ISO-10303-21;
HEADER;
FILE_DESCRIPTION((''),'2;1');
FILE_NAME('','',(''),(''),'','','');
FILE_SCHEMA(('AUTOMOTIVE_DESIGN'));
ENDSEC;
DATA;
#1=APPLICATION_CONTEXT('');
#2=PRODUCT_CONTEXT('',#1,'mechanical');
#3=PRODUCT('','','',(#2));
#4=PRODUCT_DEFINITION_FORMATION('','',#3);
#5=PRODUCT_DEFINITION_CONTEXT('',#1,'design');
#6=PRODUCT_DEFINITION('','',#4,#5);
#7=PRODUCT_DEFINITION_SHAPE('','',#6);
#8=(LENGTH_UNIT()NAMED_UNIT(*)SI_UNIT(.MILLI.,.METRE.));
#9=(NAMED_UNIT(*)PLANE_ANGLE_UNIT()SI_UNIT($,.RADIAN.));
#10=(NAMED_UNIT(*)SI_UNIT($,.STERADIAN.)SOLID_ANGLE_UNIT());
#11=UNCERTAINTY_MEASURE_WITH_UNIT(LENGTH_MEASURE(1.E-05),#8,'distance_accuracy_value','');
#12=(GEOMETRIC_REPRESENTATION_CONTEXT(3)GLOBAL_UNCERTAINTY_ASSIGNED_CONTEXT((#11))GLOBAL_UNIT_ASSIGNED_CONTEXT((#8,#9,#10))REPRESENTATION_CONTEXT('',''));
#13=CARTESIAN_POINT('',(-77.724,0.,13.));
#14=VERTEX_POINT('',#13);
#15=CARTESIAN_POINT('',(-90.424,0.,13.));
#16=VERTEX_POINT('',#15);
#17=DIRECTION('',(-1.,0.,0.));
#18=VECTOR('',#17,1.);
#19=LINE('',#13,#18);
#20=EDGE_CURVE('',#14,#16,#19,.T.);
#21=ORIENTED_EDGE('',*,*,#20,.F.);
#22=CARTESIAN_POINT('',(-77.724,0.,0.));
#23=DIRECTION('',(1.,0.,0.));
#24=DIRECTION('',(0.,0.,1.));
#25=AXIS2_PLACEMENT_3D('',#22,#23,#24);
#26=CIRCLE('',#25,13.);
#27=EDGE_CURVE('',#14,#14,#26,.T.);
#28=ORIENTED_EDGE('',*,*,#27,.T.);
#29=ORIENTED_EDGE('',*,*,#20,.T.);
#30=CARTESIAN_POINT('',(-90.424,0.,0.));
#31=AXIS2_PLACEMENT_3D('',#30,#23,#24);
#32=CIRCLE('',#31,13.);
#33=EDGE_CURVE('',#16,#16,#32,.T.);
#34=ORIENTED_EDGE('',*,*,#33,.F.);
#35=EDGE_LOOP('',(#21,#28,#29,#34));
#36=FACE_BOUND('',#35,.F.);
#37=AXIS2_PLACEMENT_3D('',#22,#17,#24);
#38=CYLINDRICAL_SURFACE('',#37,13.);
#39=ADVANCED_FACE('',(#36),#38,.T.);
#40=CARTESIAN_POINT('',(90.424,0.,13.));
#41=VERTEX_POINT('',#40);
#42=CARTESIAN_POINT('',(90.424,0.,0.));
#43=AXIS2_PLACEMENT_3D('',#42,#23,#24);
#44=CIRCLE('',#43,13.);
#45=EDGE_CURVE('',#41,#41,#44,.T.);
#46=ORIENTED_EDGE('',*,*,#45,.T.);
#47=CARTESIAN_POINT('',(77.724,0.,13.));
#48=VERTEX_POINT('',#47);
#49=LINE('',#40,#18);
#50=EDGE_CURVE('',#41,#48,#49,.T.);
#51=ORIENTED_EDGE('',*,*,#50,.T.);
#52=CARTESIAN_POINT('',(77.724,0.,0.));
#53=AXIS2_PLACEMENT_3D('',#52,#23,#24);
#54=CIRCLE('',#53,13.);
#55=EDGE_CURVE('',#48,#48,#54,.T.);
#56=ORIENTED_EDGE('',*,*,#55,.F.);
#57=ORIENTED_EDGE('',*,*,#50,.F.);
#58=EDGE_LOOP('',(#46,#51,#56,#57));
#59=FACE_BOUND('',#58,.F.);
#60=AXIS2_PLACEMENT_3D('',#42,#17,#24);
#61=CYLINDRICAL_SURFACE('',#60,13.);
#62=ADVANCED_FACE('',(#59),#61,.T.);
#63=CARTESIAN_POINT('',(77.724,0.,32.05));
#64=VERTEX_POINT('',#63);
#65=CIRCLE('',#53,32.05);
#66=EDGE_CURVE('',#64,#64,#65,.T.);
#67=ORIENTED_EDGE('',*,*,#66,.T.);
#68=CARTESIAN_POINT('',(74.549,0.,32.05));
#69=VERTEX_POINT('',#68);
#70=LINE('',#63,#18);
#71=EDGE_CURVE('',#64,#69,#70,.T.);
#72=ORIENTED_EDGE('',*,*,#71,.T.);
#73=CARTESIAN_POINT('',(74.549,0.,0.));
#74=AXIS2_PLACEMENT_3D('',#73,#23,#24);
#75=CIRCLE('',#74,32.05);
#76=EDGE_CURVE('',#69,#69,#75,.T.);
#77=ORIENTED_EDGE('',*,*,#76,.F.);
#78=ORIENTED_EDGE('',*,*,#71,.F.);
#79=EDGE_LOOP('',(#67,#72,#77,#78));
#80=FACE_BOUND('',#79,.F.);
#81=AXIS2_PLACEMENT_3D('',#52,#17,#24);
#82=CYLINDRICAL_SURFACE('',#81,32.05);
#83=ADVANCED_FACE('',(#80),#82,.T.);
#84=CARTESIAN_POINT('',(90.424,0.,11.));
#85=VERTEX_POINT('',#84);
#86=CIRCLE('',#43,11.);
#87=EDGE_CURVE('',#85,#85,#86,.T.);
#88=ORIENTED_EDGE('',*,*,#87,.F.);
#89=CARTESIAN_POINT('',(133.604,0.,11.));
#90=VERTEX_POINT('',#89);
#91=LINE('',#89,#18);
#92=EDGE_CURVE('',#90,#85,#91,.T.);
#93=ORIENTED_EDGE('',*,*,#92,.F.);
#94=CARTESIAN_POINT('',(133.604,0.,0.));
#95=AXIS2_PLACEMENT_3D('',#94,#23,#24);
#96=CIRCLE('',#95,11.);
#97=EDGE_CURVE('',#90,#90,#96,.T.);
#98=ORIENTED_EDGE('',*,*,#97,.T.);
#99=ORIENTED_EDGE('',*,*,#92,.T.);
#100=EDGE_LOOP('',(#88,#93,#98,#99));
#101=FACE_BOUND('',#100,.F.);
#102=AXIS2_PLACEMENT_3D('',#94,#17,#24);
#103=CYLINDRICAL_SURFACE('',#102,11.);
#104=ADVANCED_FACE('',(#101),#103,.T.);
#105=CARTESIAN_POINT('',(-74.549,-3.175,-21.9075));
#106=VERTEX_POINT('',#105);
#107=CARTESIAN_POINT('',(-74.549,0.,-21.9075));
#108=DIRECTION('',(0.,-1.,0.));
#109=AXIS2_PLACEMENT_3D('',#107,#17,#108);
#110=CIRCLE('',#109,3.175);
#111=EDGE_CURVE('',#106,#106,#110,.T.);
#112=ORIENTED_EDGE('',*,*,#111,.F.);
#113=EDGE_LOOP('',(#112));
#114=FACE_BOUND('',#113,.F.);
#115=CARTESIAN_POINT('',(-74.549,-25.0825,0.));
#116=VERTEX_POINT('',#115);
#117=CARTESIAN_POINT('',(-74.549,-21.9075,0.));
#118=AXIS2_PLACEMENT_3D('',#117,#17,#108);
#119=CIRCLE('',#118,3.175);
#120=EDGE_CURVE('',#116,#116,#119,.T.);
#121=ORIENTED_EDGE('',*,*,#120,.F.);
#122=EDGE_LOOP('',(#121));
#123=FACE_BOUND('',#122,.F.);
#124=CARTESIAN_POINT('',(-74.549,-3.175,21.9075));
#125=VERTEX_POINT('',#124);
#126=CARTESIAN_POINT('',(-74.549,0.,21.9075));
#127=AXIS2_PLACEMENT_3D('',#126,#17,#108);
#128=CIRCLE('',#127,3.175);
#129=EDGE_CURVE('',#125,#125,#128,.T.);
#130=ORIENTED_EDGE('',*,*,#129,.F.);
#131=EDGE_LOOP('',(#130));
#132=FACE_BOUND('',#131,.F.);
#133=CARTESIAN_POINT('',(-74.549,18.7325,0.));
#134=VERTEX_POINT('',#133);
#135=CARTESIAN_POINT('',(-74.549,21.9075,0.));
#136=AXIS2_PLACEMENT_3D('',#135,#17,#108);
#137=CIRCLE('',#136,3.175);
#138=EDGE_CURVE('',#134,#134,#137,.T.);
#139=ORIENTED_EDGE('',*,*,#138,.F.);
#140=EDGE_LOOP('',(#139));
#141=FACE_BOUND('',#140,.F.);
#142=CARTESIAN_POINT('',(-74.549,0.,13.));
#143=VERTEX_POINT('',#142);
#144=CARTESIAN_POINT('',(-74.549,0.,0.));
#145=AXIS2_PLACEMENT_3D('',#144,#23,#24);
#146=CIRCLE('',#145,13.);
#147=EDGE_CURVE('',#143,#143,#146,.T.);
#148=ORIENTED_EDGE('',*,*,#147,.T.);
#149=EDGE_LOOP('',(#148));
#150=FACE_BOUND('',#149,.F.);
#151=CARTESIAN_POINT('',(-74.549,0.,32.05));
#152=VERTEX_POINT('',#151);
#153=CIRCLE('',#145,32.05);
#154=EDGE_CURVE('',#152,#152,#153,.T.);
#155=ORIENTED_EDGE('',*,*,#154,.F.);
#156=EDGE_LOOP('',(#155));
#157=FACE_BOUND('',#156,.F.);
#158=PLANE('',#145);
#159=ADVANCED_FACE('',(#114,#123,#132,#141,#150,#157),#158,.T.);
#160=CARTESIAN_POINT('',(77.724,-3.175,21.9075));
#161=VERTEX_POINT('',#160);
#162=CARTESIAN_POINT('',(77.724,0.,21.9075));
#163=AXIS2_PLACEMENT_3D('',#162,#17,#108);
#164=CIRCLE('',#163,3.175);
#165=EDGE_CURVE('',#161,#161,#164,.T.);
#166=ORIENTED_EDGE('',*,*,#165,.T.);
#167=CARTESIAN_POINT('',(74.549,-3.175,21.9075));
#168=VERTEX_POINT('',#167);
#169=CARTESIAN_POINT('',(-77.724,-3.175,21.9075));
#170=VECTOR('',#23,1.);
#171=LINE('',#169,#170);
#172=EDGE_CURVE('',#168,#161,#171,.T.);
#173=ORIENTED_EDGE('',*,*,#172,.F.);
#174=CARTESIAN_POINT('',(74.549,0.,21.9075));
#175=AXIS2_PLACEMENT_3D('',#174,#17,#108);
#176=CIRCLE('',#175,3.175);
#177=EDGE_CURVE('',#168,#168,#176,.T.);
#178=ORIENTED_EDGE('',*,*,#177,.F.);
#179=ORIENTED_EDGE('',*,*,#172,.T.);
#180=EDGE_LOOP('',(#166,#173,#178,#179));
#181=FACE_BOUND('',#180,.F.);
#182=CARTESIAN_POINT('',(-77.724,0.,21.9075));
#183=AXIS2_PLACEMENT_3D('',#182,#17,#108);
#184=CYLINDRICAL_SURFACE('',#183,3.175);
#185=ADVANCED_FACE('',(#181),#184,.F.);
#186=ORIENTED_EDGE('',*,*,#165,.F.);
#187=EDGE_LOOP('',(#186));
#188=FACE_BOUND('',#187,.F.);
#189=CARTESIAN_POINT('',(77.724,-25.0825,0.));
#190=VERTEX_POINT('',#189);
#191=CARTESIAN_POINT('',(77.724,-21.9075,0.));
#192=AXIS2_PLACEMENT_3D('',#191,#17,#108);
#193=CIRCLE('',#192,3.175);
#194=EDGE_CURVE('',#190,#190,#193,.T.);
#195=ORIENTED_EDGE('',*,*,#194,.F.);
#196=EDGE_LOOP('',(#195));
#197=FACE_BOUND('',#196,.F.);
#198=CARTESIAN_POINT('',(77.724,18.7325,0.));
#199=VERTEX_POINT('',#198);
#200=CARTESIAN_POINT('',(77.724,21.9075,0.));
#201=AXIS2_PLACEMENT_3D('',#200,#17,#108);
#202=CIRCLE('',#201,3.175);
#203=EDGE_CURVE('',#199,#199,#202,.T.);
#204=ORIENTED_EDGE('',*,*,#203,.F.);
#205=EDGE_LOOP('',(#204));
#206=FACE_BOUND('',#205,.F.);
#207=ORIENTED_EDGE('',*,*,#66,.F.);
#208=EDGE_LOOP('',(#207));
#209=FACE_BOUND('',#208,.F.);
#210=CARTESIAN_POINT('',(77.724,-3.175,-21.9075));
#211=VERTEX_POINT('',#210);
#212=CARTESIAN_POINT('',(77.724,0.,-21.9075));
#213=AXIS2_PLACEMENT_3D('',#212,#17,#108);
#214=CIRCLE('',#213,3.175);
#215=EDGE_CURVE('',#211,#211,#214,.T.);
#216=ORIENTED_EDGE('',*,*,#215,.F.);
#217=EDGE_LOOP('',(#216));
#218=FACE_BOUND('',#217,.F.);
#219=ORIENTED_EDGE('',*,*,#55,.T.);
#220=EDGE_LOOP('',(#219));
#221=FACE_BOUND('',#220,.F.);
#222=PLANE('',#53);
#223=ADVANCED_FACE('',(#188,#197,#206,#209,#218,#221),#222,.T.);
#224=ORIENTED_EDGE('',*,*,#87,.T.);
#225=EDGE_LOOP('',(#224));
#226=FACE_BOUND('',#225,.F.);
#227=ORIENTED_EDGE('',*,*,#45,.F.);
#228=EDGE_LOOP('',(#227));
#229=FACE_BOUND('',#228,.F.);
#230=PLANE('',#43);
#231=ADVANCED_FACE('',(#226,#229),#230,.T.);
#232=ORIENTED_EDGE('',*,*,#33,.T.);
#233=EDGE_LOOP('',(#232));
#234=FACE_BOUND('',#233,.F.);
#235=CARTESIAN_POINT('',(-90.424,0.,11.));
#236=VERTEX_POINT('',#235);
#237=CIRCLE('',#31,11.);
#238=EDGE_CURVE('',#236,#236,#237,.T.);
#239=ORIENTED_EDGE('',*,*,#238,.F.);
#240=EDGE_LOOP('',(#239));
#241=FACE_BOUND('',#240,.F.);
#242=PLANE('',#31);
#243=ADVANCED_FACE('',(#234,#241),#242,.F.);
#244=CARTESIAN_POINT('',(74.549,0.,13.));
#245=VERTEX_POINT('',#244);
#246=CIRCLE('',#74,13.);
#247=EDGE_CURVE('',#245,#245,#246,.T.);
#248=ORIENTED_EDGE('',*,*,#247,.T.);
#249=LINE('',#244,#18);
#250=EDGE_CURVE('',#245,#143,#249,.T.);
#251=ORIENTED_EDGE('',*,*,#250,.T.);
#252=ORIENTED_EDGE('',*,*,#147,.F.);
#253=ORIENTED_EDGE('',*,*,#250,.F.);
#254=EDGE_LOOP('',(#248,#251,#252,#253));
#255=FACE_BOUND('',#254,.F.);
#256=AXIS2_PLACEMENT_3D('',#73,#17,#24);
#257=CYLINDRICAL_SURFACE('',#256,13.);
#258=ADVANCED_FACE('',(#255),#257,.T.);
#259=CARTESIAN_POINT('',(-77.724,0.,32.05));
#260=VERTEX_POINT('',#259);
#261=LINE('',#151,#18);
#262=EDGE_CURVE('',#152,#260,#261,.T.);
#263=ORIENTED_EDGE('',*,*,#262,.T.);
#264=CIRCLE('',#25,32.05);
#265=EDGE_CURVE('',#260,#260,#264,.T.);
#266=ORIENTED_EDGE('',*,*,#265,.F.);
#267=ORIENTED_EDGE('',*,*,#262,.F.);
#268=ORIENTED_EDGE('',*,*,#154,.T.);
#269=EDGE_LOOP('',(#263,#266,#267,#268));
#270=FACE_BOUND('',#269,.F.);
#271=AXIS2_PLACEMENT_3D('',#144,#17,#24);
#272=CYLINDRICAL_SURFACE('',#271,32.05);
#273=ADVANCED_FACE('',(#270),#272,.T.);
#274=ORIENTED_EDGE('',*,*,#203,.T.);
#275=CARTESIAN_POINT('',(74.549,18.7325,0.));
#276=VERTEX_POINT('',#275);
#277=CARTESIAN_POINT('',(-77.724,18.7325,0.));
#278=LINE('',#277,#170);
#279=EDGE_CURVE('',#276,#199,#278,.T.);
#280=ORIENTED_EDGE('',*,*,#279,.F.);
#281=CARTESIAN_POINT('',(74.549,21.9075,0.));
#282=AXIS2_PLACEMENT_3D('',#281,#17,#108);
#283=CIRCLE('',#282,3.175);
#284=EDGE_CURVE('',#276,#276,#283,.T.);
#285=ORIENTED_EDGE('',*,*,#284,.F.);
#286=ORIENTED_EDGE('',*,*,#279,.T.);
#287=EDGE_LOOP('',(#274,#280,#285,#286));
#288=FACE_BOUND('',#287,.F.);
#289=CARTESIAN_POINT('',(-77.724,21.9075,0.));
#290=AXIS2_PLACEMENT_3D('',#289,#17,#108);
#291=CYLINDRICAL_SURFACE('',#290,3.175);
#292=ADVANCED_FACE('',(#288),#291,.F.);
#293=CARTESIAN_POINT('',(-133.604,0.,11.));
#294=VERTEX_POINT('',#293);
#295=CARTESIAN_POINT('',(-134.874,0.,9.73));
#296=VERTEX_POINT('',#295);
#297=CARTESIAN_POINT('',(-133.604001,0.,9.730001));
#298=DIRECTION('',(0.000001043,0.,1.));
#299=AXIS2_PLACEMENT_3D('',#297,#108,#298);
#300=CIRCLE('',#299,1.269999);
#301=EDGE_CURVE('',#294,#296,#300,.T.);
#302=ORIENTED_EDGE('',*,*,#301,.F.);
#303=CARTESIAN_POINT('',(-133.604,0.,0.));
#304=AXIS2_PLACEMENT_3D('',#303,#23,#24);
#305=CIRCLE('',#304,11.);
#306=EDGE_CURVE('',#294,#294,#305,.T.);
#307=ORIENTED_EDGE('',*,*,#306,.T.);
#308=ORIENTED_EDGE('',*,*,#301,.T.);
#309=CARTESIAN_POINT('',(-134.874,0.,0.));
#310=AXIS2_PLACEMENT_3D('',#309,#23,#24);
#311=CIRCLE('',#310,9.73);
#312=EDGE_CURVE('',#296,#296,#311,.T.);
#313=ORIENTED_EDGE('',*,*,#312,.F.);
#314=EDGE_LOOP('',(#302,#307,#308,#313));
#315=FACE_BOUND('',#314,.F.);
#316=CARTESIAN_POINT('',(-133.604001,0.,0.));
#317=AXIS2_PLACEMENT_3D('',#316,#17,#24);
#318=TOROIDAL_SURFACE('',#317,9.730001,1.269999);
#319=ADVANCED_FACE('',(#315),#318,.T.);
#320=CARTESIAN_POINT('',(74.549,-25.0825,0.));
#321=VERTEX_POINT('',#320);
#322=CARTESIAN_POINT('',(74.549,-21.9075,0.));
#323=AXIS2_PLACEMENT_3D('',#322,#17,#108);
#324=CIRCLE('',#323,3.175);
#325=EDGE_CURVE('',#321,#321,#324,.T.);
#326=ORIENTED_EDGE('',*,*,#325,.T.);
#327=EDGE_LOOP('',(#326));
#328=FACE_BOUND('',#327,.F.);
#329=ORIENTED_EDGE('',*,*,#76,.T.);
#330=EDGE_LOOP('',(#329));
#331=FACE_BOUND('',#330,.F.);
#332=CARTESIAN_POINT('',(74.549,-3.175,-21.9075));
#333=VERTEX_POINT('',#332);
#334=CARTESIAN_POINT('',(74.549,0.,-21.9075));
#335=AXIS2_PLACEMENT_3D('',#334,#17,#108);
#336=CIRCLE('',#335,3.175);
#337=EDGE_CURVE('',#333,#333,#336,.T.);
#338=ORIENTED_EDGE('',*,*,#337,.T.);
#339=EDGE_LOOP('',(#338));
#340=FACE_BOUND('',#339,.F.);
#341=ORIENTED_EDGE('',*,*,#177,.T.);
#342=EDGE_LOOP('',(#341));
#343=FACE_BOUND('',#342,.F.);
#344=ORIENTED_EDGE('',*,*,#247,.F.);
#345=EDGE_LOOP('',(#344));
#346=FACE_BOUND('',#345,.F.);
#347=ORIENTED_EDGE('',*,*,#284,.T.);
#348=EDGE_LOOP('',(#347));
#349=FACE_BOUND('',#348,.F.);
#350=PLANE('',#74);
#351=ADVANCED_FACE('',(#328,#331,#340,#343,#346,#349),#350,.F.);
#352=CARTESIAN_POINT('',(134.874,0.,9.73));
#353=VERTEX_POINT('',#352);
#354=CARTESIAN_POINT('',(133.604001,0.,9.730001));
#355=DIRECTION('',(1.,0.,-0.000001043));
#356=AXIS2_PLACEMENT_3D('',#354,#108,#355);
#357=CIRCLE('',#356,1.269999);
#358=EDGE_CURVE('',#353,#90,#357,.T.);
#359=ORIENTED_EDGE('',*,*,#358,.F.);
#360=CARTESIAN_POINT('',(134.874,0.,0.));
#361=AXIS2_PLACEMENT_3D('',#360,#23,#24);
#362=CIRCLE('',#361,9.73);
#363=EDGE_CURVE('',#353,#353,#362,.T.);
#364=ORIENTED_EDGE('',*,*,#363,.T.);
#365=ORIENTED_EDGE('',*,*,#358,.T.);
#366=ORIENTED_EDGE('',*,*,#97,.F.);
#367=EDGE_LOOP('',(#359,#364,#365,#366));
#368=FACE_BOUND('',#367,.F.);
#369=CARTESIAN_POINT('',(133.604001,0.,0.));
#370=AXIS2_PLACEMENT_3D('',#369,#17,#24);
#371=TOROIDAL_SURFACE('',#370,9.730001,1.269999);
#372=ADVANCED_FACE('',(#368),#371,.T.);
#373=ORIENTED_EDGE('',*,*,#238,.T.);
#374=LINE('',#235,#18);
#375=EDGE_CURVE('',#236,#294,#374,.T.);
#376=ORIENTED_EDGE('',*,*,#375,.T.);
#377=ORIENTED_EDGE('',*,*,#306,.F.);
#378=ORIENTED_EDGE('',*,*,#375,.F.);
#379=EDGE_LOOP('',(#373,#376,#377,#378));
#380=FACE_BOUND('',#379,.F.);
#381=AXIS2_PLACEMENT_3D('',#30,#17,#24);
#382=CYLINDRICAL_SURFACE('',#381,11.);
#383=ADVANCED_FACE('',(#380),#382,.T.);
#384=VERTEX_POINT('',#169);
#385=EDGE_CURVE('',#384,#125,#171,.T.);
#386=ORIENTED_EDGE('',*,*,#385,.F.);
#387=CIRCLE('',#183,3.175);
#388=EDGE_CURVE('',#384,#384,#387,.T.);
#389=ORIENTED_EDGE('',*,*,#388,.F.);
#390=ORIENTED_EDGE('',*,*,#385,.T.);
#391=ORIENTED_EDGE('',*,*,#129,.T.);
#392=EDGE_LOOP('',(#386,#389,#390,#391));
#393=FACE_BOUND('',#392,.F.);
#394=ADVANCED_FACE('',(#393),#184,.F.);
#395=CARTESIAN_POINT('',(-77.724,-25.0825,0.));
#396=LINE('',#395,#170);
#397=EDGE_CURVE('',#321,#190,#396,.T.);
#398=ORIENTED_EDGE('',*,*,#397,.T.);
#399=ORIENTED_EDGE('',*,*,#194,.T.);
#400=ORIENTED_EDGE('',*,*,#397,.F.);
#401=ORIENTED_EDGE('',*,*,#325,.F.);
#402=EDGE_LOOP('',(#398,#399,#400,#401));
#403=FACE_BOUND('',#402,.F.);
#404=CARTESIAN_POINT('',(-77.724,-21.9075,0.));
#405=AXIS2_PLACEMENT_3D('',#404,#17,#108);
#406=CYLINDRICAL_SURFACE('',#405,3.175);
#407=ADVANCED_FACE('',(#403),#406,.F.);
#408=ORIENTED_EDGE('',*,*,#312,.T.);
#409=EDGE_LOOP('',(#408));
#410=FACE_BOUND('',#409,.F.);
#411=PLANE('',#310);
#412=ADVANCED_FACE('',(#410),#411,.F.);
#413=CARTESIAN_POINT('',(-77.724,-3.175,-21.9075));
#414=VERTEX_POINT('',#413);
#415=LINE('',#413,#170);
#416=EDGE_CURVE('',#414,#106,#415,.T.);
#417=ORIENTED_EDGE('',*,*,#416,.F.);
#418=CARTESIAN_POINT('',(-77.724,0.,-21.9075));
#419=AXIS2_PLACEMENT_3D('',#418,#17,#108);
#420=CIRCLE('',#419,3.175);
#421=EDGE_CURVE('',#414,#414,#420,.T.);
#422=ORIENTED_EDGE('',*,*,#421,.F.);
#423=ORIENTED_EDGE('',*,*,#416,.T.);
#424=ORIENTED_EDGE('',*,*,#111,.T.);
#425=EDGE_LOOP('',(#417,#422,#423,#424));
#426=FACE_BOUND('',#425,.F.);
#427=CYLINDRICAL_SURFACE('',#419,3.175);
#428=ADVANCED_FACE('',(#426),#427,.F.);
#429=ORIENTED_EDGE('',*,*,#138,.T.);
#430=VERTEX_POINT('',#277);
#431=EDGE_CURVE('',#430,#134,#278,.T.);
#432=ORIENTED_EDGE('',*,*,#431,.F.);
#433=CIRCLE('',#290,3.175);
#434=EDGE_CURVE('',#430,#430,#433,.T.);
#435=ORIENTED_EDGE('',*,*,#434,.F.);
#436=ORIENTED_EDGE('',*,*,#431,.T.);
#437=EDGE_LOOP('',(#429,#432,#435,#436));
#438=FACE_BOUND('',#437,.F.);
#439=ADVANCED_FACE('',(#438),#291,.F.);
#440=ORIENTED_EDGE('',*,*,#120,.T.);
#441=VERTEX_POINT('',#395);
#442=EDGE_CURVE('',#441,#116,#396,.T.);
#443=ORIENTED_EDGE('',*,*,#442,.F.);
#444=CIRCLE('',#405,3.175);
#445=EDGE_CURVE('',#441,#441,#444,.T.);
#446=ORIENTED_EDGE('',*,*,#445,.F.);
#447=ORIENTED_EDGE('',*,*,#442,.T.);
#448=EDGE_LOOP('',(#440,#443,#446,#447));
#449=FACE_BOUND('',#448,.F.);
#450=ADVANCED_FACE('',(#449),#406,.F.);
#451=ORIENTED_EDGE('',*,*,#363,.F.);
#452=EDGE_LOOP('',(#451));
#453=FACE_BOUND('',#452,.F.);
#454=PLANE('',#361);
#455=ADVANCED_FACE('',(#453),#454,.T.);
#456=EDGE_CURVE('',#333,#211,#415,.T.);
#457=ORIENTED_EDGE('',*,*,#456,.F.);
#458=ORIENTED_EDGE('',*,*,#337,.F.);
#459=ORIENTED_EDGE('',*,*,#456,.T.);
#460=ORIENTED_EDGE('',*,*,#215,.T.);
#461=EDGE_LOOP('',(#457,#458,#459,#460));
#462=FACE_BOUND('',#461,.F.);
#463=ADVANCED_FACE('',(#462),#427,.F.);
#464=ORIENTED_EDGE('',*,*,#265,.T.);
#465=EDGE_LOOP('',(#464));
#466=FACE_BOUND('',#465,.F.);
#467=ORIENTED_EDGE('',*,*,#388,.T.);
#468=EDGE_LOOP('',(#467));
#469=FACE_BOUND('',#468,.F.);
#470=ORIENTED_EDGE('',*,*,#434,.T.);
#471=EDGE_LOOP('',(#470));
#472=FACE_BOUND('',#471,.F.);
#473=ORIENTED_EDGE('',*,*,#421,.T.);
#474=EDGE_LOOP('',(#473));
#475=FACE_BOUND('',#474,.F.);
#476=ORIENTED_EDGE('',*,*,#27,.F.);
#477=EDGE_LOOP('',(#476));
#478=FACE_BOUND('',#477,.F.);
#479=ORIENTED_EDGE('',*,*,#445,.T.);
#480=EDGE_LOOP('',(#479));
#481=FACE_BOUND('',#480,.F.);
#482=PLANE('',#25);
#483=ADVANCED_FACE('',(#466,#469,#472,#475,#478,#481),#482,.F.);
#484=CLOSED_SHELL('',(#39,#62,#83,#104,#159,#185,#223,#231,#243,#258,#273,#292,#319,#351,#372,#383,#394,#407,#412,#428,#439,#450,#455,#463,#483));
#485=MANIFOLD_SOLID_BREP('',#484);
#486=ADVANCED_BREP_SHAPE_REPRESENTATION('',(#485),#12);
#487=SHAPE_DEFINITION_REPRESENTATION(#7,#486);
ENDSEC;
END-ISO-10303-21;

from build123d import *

# Parameters (mm, degrees)
F6_R     = 3.175
F7_DEPTH = 177.8


with BuildPart() as f1:
    # F0 (on Front) → F1 (revolve)
    with BuildSketch(Plane.XZ):
        with BuildLine():
            Line((-134.874, 9.73), (-134.874, 0))
            Line((-134.874, 0), (134.874, 0))
            Line((134.874, 0), (134.874, 9.73))
            ThreePointArc((134.874, 9.73), (134.502026, 10.628026), (133.604, 11))
            Line((133.604, 11), (90.424, 11))
            Line((90.424, 11), (90.424, 13))
            Line((90.424, 13), (77.724, 13))
            Line((77.724, 13), (77.724, 32.05))
            Line((77.724, 32.05), (74.549, 32.05))
            Line((74.549, 32.05), (74.549, 13))
            Line((74.549, 13), (-74.549, 13))
            Line((-74.549, 13), (-74.549, 32.05))
            Line((-74.549, 32.05), (-77.724, 32.05))
            Line((-77.724, 32.05), (-77.724, 13))
            Line((-77.724, 13), (-90.424, 13))
            Line((-90.424, 13), (-90.424, 11))
            Line((-90.424, 11), (-133.604, 11))
            ThreePointArc((-133.604, 11), (-134.502026, 10.628026), (-134.874, 9.73))
        make_face()
    revolve(axis=Axis((-8.171387, 0, 0), (1, 0, 0)))


with BuildPart() as f2_1:
    # F2: copy of F1
    add(f1.part)


with BuildPart() as f4_1:
    # F4: copy of F2_1
    add(f2_1.part)

    # F6 (on face) → F7 (cut)
    with BuildSketch(Plane(origin=(-77.724, 0, 0), x_dir=(0, -1, 0), z_dir=(-1, 0, 0))):
        with Locations((0, 21.9075)):
            Circle(F6_R)
        with Locations((-21.9075, 0)):
            Circle(F6_R)
        with Locations((0, -21.9075)):
            Circle(F6_R)
        with Locations((21.9075, 0)):
            Circle(F6_R)
    extrude(amount=-F7_DEPTH, mode=Mode.SUBTRACT)


solid = f4_1.part
